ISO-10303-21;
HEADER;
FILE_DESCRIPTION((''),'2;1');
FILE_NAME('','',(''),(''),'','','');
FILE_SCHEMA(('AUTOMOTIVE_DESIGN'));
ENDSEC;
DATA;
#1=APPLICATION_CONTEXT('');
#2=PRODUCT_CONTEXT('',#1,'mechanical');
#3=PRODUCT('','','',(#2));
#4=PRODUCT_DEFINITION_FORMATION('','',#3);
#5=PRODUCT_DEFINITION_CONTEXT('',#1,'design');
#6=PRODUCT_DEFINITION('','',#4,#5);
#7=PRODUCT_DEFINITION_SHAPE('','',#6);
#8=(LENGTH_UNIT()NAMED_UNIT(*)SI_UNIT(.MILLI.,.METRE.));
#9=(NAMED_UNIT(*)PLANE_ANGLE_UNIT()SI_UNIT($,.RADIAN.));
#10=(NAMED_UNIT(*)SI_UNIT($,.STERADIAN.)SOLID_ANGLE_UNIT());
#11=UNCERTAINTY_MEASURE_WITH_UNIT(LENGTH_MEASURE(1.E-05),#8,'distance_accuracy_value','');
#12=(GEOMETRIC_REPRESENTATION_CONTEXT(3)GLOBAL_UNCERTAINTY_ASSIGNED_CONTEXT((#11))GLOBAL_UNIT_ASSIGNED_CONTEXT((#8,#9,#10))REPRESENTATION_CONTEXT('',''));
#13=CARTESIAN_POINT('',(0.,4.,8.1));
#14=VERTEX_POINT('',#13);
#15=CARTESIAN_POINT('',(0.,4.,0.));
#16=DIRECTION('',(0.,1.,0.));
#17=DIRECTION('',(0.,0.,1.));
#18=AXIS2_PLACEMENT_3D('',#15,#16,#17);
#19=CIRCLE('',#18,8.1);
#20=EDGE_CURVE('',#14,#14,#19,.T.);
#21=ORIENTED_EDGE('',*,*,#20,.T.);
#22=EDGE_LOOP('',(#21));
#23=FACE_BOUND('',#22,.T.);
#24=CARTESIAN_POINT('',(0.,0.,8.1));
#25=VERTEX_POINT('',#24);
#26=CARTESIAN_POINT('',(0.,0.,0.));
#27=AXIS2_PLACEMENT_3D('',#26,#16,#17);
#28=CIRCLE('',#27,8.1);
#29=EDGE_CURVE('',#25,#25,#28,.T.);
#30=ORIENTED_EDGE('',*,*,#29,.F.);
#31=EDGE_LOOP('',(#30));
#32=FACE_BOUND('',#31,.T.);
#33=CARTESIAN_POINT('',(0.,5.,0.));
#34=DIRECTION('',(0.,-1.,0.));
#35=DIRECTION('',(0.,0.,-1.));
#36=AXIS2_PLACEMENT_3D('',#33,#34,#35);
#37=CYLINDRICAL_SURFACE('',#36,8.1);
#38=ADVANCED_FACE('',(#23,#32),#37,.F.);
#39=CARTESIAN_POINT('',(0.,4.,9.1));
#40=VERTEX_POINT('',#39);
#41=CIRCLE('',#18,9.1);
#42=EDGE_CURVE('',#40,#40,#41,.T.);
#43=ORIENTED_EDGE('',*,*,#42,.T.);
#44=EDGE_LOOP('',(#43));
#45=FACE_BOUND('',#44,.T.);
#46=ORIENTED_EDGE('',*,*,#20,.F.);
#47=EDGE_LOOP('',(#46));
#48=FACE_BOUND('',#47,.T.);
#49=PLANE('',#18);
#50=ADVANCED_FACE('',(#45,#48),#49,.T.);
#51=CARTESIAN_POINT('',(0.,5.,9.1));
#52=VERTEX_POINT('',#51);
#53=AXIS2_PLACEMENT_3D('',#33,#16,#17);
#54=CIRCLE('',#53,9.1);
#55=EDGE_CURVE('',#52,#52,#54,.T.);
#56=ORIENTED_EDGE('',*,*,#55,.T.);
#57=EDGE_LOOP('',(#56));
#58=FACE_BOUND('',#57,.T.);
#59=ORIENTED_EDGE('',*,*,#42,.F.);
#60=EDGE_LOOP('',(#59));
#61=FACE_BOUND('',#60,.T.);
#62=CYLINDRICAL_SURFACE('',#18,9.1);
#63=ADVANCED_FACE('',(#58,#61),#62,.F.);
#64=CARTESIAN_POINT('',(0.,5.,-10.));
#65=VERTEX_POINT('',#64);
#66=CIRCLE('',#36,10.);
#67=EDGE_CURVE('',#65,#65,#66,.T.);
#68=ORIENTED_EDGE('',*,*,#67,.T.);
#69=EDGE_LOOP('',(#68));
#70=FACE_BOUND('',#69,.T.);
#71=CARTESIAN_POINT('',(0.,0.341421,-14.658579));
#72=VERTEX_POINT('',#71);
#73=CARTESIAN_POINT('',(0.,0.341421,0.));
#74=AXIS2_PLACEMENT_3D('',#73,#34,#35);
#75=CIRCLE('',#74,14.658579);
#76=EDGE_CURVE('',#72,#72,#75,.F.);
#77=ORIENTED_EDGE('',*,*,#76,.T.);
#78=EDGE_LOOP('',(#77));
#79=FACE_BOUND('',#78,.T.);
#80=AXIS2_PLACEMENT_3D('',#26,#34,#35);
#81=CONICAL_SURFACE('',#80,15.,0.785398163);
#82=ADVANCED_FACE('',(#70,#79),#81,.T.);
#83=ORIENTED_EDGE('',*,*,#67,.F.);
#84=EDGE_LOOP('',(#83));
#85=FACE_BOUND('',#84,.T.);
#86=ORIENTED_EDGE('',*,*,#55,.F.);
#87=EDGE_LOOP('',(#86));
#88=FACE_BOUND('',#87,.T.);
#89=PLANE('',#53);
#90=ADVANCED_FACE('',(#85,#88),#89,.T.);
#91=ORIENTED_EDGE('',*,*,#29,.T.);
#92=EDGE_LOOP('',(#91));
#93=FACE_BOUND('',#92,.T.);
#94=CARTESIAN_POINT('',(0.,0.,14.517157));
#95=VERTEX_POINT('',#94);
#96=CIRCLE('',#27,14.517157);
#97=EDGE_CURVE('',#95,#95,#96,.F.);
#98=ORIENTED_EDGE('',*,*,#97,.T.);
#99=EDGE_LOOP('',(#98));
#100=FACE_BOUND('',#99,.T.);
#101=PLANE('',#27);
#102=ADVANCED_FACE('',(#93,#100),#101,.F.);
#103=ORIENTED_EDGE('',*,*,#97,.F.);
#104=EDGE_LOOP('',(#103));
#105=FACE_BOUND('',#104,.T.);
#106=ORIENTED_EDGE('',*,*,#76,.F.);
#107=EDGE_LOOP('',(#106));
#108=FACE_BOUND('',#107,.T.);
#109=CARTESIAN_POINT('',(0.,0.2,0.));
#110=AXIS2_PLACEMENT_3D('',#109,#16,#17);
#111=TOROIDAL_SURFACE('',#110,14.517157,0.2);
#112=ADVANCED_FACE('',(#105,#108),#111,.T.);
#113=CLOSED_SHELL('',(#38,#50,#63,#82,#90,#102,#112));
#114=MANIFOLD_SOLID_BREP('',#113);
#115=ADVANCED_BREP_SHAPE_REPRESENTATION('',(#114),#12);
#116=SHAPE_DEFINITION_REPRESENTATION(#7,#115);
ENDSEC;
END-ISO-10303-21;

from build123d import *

# Parameters (mm, degrees)
SKETCH_1_R          = 10
SKETCH_1_R_2        = 8.1
EXTRUDE_1_DEPTH     = 5
FILLET_1_R          = 0.2
SKETCH_3_R          = 9.1
CUT_EXTRUDE_1_DEPTH = 1


with BuildPart() as part:
    # 草图1 → 凸台-拉伸1 (new body)
    with BuildSketch(Plane(origin=(0, 0, 0), x_dir=(1, 0, 0), z_dir=(0, 1, 0))):
        Circle(SKETCH_1_R)
        Circle(SKETCH_1_R_2, mode=Mode.SUBTRACT)
    extrude(amount=EXTRUDE_1_DEPTH)

    # 草图2 → 旋转1 (revolve)
    with BuildSketch(Plane(origin=(0, 0, 0), x_dir=(0, 0, -1), z_dir=(1, 0, 0))):
        Polygon((10, 5), (10, 0), (15, 0), align=None)
    revolve(axis=Axis((0, 0, 0), (0, 1, 0)))

    # 圆角1
    fillet_1_edges = [part.edges().sort_by_distance(p)[0] for p in [
        (0, 0, 15),
    ]]
    fillet(fillet_1_edges, radius=FILLET_1_R)

    # 草图3 → 切除-拉伸1 (cut)
    with BuildSketch(Plane(origin=(0, 5, 0), x_dir=(1, 0, 0), z_dir=(0, 1, 0))):
        Circle(SKETCH_3_R)
    extrude(amount=-CUT_EXTRUDE_1_DEPTH, mode=Mode.SUBTRACT)


solid = part.part
